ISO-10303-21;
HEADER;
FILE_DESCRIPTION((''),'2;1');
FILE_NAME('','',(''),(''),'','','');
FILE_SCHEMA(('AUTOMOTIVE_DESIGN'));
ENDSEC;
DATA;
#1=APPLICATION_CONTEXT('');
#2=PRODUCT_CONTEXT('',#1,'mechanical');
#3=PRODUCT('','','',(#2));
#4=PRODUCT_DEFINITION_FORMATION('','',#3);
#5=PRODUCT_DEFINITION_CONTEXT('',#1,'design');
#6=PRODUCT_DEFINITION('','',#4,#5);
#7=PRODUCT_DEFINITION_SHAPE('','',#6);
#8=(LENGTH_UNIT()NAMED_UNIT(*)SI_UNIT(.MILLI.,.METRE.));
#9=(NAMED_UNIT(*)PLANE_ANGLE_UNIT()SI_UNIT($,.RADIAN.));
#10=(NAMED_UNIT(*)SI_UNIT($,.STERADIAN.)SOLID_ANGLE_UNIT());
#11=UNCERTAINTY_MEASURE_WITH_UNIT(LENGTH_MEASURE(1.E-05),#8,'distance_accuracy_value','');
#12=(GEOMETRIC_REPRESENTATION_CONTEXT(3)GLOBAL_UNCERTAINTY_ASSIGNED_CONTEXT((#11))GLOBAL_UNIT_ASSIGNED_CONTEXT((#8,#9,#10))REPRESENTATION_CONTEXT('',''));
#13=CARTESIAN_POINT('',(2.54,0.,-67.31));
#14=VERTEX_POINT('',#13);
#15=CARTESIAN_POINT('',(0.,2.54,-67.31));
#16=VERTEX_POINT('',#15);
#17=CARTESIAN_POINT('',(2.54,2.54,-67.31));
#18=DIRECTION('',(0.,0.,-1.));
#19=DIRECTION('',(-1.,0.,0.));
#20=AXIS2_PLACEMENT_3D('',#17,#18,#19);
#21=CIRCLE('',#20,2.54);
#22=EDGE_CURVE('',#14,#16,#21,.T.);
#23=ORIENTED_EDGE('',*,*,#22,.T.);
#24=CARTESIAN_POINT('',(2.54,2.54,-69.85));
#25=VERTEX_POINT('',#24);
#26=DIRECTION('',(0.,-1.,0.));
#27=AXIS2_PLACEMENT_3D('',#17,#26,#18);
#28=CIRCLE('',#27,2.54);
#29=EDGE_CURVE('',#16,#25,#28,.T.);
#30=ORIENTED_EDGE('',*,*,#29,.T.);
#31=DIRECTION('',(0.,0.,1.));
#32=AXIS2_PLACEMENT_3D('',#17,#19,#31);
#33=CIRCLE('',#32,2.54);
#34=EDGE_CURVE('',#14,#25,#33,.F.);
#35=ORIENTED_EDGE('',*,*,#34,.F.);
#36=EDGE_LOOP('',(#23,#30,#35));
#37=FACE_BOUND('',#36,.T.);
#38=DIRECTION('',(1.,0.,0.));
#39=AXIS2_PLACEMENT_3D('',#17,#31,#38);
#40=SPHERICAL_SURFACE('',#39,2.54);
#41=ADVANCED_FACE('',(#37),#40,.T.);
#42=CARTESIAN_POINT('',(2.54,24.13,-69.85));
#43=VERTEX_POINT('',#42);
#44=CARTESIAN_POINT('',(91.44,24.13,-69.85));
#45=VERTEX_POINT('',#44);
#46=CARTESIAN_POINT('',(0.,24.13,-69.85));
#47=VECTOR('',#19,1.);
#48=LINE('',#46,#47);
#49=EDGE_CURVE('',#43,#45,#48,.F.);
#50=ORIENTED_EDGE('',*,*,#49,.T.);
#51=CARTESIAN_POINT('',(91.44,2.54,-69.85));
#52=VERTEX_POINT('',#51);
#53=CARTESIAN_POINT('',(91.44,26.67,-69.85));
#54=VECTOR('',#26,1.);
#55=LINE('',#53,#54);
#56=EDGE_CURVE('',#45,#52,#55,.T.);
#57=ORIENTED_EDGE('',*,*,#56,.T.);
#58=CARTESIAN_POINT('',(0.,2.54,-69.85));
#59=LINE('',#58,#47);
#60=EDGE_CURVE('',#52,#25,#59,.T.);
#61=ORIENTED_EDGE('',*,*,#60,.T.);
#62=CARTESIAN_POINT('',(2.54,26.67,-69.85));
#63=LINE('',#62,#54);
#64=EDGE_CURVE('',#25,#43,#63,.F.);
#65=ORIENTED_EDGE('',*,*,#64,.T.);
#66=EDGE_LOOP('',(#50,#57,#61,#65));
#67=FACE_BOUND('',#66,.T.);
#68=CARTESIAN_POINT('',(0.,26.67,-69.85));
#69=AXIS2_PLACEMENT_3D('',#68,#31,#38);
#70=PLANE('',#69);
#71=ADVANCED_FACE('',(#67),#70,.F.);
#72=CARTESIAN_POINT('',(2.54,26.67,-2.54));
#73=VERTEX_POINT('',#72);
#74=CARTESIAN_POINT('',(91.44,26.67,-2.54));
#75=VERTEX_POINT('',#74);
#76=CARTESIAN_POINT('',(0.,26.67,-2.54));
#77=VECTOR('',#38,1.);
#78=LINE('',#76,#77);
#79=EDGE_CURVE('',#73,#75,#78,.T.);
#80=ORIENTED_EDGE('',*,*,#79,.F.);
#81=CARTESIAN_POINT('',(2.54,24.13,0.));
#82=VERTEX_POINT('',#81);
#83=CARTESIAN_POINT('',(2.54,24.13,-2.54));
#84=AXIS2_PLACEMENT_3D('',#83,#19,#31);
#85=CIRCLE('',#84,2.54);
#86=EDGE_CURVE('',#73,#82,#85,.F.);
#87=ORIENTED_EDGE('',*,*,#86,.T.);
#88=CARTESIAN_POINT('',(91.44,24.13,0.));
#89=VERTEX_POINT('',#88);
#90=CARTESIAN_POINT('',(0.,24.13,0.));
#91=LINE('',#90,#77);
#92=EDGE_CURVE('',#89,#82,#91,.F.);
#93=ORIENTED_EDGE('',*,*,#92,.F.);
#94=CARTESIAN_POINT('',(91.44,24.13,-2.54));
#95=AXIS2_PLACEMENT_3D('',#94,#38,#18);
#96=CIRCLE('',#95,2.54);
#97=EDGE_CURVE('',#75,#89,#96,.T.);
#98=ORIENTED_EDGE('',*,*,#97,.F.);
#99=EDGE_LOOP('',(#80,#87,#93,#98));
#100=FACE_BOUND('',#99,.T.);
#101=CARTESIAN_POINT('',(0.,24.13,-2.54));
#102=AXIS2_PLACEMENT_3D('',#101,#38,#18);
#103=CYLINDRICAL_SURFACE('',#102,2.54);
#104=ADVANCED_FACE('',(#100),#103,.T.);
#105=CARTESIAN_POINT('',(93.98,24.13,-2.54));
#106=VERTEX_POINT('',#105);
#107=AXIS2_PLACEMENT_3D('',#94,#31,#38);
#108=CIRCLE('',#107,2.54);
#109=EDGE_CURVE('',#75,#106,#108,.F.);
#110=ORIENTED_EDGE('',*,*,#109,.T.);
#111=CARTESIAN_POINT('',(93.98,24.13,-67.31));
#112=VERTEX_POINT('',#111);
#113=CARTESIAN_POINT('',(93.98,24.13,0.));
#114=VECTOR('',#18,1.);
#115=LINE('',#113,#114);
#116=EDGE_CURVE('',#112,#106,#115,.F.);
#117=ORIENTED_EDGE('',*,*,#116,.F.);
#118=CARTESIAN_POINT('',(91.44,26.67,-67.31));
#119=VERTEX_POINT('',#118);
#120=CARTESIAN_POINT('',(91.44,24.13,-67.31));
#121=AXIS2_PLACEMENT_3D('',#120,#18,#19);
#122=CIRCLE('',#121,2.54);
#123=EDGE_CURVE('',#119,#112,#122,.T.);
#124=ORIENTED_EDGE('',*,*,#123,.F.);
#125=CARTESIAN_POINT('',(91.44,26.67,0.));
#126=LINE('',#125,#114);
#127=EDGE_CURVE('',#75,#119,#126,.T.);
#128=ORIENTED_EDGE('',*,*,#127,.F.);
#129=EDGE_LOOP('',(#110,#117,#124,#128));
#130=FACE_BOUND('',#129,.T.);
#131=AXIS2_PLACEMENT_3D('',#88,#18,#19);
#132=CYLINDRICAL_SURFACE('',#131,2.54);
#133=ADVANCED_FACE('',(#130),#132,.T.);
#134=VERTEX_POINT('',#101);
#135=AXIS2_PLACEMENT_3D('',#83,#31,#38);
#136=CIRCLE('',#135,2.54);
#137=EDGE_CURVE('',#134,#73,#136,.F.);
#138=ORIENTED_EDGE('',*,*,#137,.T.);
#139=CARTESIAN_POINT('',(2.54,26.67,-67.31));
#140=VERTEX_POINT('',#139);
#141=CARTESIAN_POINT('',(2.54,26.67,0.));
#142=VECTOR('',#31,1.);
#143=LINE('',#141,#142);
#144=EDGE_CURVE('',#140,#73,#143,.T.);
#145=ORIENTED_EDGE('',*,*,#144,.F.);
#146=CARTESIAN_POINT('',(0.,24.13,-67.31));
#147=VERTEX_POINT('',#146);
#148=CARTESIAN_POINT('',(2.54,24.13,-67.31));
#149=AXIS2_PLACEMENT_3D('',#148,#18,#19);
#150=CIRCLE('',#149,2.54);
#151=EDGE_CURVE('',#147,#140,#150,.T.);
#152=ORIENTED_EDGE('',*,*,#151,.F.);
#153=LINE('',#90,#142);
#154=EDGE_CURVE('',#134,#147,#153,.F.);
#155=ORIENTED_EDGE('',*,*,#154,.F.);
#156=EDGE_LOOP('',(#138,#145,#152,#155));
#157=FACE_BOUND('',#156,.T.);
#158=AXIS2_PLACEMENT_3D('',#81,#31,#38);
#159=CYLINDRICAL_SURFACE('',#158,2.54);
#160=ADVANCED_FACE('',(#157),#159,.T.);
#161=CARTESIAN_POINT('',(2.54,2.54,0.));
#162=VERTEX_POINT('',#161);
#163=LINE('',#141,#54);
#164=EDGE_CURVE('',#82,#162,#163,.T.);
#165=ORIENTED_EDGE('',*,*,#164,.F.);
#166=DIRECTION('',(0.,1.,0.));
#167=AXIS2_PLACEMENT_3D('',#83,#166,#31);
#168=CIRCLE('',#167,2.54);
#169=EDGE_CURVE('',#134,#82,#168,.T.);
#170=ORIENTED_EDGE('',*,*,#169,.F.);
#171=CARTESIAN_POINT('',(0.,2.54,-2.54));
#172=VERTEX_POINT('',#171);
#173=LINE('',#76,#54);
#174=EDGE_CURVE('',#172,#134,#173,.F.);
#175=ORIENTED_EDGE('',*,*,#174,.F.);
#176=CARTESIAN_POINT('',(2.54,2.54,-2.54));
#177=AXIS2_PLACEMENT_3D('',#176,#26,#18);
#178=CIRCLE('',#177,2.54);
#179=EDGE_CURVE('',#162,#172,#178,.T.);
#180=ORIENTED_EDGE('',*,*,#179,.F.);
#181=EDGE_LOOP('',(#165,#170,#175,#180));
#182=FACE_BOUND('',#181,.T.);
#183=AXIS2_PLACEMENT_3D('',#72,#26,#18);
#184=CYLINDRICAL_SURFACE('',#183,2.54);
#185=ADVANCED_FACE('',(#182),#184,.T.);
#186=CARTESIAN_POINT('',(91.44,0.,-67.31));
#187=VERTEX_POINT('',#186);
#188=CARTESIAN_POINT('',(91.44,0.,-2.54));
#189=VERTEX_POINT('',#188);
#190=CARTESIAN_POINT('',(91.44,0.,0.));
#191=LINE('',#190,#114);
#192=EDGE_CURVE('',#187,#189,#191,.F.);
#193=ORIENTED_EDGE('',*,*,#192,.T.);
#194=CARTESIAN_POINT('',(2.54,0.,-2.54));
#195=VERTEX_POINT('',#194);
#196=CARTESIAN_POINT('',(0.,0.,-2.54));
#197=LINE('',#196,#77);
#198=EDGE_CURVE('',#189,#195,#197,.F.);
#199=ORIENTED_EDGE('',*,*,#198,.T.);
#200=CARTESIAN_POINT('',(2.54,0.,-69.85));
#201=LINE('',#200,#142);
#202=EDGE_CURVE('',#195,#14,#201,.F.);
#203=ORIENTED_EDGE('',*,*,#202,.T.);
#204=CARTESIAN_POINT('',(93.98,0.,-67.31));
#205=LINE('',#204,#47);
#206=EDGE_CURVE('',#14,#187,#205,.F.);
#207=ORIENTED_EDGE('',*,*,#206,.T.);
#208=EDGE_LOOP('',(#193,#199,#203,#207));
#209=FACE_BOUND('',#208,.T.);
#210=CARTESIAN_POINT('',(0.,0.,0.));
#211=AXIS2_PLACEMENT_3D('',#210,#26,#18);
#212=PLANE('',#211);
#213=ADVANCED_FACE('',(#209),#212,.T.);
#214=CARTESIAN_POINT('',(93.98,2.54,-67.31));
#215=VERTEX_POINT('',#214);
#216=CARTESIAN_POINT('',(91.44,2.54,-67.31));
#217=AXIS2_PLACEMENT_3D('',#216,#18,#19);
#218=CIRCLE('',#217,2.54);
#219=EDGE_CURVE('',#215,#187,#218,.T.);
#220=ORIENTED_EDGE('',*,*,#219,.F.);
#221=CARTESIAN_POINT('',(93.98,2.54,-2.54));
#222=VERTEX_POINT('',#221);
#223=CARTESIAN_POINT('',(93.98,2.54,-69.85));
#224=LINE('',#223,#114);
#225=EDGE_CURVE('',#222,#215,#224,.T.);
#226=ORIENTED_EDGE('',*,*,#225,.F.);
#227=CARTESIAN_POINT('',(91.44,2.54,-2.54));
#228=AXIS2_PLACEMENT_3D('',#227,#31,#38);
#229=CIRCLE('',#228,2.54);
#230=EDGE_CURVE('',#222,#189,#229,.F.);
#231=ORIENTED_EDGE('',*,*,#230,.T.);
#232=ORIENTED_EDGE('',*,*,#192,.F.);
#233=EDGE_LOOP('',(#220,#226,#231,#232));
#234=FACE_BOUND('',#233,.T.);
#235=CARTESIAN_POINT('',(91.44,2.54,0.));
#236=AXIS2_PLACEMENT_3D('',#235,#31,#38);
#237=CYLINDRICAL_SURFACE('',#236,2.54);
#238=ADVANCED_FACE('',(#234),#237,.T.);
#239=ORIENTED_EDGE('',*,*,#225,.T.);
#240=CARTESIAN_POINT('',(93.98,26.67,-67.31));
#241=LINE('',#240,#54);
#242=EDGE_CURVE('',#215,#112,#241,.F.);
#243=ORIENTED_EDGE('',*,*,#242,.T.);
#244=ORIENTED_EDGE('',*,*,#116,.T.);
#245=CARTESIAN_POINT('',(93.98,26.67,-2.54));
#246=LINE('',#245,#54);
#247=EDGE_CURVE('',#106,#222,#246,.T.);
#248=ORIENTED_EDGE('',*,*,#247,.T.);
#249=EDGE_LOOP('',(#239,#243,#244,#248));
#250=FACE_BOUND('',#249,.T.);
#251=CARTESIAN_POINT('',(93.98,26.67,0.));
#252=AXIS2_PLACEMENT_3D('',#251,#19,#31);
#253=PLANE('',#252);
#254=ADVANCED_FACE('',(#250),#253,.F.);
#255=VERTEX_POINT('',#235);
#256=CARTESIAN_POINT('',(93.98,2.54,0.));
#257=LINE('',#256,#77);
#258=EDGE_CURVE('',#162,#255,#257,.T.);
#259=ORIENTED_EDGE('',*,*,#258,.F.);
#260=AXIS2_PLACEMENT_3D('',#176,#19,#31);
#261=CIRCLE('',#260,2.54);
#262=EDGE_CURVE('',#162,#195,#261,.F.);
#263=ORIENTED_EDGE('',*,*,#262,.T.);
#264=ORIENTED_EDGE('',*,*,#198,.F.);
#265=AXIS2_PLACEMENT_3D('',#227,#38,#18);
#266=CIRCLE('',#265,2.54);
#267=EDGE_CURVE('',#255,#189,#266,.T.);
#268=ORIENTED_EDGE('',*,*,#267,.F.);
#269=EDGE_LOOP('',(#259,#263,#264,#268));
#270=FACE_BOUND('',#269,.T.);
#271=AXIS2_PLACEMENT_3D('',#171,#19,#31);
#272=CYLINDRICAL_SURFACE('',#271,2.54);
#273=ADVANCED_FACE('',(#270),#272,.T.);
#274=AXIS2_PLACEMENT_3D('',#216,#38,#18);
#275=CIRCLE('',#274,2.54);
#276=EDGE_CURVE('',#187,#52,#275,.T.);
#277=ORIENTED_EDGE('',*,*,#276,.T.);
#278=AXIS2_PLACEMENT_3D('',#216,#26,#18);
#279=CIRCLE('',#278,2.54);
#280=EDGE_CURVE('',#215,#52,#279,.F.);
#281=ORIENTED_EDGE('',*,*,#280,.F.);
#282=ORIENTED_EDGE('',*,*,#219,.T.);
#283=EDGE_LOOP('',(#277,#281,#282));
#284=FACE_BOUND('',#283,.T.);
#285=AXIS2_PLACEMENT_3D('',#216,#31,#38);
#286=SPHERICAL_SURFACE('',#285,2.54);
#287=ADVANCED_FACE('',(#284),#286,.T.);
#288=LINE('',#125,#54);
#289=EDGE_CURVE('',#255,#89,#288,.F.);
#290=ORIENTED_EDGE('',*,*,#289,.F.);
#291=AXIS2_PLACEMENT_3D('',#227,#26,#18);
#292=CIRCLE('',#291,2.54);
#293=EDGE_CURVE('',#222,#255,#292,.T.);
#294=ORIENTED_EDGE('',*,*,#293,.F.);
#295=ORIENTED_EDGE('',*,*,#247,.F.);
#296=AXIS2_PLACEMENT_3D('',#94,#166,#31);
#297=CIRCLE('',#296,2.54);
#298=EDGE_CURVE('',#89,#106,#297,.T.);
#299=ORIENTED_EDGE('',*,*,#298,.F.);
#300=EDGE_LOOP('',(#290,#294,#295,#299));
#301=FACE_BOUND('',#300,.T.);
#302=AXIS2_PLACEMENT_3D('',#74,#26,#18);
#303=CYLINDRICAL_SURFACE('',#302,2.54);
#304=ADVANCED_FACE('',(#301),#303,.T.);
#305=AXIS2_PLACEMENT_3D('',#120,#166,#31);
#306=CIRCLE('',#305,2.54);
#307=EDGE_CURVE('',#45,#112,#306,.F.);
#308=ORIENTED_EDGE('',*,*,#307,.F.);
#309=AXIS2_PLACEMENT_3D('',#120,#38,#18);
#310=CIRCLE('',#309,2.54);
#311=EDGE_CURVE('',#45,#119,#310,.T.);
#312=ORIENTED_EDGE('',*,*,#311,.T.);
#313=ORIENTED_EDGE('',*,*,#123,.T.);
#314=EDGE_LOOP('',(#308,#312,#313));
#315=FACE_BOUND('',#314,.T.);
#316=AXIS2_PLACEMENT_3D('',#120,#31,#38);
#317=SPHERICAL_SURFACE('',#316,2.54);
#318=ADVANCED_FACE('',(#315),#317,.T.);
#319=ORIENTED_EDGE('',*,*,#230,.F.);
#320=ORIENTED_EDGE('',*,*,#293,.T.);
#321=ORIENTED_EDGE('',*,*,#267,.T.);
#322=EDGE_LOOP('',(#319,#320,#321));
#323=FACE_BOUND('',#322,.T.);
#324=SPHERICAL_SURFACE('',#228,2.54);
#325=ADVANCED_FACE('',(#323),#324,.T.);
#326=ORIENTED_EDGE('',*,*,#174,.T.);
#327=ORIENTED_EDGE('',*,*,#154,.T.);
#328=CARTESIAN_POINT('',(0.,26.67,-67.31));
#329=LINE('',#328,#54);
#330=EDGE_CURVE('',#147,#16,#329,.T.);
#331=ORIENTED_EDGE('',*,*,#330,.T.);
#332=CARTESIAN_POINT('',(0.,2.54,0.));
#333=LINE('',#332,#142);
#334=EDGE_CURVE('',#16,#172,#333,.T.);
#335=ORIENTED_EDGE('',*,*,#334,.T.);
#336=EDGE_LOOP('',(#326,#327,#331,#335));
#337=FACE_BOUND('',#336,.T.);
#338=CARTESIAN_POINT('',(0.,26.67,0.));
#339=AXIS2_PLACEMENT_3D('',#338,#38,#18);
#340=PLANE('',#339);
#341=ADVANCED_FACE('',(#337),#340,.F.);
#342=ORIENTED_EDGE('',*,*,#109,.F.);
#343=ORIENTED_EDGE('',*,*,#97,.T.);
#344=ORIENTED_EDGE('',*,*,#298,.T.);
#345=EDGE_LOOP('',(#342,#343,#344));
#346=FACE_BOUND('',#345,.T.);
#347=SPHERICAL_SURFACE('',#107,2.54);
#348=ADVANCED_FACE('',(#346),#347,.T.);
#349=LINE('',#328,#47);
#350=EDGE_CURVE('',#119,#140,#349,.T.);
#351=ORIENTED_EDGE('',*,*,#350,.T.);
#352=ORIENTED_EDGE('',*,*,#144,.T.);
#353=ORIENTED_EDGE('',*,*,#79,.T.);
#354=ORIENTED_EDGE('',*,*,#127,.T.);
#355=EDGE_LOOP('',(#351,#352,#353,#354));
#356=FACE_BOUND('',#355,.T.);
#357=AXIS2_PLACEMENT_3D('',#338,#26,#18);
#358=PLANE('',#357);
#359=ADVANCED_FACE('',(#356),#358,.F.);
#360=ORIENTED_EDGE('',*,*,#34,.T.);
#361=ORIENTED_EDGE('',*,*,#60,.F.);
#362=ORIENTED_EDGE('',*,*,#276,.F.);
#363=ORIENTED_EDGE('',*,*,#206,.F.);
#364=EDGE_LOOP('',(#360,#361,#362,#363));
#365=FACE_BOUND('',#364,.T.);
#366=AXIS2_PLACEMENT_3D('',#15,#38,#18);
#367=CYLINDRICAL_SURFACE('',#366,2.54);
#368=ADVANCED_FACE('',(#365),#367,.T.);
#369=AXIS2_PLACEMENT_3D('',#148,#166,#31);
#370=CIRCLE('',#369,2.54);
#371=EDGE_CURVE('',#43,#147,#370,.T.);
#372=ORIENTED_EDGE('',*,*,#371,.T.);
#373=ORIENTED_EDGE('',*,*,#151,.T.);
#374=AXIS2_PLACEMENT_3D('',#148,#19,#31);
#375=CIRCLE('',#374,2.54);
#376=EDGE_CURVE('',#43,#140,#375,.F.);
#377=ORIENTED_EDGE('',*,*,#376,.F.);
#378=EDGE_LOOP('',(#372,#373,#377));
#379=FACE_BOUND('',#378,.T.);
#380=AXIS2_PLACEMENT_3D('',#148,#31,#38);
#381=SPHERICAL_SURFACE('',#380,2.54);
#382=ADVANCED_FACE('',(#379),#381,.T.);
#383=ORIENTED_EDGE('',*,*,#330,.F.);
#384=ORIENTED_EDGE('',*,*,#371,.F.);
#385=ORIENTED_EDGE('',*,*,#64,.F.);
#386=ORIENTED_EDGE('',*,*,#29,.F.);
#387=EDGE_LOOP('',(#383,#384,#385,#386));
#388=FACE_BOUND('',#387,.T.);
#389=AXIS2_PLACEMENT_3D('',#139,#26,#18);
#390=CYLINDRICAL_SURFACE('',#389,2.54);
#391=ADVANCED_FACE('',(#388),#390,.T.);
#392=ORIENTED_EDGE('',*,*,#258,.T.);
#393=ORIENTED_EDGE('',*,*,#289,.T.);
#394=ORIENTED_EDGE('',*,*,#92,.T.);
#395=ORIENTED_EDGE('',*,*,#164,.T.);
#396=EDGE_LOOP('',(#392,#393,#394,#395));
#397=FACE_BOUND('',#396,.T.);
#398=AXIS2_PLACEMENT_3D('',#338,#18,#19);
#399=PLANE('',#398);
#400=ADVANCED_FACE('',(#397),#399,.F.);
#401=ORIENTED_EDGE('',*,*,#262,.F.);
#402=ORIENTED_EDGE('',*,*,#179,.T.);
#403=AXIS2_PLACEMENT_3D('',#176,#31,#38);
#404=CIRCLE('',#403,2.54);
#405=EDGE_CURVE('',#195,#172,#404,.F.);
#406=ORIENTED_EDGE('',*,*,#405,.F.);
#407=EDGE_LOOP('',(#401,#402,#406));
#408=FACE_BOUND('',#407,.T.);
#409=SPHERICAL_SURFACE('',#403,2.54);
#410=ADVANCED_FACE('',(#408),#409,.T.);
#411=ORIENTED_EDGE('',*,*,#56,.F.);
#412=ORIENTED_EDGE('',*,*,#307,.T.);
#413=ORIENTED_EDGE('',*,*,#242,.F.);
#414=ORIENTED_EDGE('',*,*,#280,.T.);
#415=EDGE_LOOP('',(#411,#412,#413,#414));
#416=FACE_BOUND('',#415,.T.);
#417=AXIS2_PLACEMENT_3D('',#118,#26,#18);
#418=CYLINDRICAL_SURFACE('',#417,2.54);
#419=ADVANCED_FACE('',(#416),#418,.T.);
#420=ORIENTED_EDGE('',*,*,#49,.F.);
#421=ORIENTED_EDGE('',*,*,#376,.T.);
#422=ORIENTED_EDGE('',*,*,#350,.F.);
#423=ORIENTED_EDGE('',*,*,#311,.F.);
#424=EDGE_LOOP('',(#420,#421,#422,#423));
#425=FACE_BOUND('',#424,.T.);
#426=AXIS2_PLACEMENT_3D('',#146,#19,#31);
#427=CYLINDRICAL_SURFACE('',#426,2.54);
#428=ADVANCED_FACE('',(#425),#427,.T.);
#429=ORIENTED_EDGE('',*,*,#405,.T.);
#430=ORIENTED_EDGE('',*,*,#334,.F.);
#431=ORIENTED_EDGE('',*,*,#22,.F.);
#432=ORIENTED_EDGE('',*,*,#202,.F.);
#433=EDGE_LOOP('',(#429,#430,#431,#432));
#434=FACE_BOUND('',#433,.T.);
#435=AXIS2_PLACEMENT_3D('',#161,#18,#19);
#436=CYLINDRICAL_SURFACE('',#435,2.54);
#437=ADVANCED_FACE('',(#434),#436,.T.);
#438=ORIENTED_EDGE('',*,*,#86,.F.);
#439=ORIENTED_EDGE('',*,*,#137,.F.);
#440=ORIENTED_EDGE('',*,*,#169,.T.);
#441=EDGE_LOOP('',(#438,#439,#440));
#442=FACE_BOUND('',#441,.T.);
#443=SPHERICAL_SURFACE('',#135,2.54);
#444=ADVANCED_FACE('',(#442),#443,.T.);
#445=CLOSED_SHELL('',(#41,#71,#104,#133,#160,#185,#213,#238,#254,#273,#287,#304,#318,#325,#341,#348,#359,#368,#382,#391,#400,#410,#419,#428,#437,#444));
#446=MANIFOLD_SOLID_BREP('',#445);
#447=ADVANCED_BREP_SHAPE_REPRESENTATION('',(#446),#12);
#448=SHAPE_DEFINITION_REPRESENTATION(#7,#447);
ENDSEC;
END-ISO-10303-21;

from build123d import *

# Parameters (mm, degrees)
SKETCH1_W           = 93.98
SKETCH1_H           = 69.85
BOSS_EXTRUDE1_DEPTH = 26.67
FILLET1_R           = 2.54


with BuildPart() as part:
    # Sketch1 → Boss-Extrude1 (new body)
    with BuildSketch(Plane(origin=(0, 0, 0), x_dir=(1, 0, 0), z_dir=(0, 1, 0))):
        with Locations((46.99, 34.925)):
            Rectangle(SKETCH1_W, SKETCH1_H)
    extrude(amount=BOSS_EXTRUDE1_DEPTH)

    # Fillet1
    fillet1_edges = [part.edges().sort_by_distance(p)[0] for p in [
        (93.98, 26.67, -34.925),
        (46.99, 26.67, -69.85),
        (0, 26.67, -34.925),
        (46.99, 0, -69.85),
        (93.98, 0, -34.925),
        (46.99, 0, 0),
        (0, 0, -34.925),
        (46.99, 26.67, 0),
        (0, 13.335, -69.85),
        (93.98, 13.335, -69.85),
        (93.98, 13.335, 0),
        (0, 13.335, 0),
    ]]
    fillet(fillet1_edges, radius=FILLET1_R)


solid = part.part
